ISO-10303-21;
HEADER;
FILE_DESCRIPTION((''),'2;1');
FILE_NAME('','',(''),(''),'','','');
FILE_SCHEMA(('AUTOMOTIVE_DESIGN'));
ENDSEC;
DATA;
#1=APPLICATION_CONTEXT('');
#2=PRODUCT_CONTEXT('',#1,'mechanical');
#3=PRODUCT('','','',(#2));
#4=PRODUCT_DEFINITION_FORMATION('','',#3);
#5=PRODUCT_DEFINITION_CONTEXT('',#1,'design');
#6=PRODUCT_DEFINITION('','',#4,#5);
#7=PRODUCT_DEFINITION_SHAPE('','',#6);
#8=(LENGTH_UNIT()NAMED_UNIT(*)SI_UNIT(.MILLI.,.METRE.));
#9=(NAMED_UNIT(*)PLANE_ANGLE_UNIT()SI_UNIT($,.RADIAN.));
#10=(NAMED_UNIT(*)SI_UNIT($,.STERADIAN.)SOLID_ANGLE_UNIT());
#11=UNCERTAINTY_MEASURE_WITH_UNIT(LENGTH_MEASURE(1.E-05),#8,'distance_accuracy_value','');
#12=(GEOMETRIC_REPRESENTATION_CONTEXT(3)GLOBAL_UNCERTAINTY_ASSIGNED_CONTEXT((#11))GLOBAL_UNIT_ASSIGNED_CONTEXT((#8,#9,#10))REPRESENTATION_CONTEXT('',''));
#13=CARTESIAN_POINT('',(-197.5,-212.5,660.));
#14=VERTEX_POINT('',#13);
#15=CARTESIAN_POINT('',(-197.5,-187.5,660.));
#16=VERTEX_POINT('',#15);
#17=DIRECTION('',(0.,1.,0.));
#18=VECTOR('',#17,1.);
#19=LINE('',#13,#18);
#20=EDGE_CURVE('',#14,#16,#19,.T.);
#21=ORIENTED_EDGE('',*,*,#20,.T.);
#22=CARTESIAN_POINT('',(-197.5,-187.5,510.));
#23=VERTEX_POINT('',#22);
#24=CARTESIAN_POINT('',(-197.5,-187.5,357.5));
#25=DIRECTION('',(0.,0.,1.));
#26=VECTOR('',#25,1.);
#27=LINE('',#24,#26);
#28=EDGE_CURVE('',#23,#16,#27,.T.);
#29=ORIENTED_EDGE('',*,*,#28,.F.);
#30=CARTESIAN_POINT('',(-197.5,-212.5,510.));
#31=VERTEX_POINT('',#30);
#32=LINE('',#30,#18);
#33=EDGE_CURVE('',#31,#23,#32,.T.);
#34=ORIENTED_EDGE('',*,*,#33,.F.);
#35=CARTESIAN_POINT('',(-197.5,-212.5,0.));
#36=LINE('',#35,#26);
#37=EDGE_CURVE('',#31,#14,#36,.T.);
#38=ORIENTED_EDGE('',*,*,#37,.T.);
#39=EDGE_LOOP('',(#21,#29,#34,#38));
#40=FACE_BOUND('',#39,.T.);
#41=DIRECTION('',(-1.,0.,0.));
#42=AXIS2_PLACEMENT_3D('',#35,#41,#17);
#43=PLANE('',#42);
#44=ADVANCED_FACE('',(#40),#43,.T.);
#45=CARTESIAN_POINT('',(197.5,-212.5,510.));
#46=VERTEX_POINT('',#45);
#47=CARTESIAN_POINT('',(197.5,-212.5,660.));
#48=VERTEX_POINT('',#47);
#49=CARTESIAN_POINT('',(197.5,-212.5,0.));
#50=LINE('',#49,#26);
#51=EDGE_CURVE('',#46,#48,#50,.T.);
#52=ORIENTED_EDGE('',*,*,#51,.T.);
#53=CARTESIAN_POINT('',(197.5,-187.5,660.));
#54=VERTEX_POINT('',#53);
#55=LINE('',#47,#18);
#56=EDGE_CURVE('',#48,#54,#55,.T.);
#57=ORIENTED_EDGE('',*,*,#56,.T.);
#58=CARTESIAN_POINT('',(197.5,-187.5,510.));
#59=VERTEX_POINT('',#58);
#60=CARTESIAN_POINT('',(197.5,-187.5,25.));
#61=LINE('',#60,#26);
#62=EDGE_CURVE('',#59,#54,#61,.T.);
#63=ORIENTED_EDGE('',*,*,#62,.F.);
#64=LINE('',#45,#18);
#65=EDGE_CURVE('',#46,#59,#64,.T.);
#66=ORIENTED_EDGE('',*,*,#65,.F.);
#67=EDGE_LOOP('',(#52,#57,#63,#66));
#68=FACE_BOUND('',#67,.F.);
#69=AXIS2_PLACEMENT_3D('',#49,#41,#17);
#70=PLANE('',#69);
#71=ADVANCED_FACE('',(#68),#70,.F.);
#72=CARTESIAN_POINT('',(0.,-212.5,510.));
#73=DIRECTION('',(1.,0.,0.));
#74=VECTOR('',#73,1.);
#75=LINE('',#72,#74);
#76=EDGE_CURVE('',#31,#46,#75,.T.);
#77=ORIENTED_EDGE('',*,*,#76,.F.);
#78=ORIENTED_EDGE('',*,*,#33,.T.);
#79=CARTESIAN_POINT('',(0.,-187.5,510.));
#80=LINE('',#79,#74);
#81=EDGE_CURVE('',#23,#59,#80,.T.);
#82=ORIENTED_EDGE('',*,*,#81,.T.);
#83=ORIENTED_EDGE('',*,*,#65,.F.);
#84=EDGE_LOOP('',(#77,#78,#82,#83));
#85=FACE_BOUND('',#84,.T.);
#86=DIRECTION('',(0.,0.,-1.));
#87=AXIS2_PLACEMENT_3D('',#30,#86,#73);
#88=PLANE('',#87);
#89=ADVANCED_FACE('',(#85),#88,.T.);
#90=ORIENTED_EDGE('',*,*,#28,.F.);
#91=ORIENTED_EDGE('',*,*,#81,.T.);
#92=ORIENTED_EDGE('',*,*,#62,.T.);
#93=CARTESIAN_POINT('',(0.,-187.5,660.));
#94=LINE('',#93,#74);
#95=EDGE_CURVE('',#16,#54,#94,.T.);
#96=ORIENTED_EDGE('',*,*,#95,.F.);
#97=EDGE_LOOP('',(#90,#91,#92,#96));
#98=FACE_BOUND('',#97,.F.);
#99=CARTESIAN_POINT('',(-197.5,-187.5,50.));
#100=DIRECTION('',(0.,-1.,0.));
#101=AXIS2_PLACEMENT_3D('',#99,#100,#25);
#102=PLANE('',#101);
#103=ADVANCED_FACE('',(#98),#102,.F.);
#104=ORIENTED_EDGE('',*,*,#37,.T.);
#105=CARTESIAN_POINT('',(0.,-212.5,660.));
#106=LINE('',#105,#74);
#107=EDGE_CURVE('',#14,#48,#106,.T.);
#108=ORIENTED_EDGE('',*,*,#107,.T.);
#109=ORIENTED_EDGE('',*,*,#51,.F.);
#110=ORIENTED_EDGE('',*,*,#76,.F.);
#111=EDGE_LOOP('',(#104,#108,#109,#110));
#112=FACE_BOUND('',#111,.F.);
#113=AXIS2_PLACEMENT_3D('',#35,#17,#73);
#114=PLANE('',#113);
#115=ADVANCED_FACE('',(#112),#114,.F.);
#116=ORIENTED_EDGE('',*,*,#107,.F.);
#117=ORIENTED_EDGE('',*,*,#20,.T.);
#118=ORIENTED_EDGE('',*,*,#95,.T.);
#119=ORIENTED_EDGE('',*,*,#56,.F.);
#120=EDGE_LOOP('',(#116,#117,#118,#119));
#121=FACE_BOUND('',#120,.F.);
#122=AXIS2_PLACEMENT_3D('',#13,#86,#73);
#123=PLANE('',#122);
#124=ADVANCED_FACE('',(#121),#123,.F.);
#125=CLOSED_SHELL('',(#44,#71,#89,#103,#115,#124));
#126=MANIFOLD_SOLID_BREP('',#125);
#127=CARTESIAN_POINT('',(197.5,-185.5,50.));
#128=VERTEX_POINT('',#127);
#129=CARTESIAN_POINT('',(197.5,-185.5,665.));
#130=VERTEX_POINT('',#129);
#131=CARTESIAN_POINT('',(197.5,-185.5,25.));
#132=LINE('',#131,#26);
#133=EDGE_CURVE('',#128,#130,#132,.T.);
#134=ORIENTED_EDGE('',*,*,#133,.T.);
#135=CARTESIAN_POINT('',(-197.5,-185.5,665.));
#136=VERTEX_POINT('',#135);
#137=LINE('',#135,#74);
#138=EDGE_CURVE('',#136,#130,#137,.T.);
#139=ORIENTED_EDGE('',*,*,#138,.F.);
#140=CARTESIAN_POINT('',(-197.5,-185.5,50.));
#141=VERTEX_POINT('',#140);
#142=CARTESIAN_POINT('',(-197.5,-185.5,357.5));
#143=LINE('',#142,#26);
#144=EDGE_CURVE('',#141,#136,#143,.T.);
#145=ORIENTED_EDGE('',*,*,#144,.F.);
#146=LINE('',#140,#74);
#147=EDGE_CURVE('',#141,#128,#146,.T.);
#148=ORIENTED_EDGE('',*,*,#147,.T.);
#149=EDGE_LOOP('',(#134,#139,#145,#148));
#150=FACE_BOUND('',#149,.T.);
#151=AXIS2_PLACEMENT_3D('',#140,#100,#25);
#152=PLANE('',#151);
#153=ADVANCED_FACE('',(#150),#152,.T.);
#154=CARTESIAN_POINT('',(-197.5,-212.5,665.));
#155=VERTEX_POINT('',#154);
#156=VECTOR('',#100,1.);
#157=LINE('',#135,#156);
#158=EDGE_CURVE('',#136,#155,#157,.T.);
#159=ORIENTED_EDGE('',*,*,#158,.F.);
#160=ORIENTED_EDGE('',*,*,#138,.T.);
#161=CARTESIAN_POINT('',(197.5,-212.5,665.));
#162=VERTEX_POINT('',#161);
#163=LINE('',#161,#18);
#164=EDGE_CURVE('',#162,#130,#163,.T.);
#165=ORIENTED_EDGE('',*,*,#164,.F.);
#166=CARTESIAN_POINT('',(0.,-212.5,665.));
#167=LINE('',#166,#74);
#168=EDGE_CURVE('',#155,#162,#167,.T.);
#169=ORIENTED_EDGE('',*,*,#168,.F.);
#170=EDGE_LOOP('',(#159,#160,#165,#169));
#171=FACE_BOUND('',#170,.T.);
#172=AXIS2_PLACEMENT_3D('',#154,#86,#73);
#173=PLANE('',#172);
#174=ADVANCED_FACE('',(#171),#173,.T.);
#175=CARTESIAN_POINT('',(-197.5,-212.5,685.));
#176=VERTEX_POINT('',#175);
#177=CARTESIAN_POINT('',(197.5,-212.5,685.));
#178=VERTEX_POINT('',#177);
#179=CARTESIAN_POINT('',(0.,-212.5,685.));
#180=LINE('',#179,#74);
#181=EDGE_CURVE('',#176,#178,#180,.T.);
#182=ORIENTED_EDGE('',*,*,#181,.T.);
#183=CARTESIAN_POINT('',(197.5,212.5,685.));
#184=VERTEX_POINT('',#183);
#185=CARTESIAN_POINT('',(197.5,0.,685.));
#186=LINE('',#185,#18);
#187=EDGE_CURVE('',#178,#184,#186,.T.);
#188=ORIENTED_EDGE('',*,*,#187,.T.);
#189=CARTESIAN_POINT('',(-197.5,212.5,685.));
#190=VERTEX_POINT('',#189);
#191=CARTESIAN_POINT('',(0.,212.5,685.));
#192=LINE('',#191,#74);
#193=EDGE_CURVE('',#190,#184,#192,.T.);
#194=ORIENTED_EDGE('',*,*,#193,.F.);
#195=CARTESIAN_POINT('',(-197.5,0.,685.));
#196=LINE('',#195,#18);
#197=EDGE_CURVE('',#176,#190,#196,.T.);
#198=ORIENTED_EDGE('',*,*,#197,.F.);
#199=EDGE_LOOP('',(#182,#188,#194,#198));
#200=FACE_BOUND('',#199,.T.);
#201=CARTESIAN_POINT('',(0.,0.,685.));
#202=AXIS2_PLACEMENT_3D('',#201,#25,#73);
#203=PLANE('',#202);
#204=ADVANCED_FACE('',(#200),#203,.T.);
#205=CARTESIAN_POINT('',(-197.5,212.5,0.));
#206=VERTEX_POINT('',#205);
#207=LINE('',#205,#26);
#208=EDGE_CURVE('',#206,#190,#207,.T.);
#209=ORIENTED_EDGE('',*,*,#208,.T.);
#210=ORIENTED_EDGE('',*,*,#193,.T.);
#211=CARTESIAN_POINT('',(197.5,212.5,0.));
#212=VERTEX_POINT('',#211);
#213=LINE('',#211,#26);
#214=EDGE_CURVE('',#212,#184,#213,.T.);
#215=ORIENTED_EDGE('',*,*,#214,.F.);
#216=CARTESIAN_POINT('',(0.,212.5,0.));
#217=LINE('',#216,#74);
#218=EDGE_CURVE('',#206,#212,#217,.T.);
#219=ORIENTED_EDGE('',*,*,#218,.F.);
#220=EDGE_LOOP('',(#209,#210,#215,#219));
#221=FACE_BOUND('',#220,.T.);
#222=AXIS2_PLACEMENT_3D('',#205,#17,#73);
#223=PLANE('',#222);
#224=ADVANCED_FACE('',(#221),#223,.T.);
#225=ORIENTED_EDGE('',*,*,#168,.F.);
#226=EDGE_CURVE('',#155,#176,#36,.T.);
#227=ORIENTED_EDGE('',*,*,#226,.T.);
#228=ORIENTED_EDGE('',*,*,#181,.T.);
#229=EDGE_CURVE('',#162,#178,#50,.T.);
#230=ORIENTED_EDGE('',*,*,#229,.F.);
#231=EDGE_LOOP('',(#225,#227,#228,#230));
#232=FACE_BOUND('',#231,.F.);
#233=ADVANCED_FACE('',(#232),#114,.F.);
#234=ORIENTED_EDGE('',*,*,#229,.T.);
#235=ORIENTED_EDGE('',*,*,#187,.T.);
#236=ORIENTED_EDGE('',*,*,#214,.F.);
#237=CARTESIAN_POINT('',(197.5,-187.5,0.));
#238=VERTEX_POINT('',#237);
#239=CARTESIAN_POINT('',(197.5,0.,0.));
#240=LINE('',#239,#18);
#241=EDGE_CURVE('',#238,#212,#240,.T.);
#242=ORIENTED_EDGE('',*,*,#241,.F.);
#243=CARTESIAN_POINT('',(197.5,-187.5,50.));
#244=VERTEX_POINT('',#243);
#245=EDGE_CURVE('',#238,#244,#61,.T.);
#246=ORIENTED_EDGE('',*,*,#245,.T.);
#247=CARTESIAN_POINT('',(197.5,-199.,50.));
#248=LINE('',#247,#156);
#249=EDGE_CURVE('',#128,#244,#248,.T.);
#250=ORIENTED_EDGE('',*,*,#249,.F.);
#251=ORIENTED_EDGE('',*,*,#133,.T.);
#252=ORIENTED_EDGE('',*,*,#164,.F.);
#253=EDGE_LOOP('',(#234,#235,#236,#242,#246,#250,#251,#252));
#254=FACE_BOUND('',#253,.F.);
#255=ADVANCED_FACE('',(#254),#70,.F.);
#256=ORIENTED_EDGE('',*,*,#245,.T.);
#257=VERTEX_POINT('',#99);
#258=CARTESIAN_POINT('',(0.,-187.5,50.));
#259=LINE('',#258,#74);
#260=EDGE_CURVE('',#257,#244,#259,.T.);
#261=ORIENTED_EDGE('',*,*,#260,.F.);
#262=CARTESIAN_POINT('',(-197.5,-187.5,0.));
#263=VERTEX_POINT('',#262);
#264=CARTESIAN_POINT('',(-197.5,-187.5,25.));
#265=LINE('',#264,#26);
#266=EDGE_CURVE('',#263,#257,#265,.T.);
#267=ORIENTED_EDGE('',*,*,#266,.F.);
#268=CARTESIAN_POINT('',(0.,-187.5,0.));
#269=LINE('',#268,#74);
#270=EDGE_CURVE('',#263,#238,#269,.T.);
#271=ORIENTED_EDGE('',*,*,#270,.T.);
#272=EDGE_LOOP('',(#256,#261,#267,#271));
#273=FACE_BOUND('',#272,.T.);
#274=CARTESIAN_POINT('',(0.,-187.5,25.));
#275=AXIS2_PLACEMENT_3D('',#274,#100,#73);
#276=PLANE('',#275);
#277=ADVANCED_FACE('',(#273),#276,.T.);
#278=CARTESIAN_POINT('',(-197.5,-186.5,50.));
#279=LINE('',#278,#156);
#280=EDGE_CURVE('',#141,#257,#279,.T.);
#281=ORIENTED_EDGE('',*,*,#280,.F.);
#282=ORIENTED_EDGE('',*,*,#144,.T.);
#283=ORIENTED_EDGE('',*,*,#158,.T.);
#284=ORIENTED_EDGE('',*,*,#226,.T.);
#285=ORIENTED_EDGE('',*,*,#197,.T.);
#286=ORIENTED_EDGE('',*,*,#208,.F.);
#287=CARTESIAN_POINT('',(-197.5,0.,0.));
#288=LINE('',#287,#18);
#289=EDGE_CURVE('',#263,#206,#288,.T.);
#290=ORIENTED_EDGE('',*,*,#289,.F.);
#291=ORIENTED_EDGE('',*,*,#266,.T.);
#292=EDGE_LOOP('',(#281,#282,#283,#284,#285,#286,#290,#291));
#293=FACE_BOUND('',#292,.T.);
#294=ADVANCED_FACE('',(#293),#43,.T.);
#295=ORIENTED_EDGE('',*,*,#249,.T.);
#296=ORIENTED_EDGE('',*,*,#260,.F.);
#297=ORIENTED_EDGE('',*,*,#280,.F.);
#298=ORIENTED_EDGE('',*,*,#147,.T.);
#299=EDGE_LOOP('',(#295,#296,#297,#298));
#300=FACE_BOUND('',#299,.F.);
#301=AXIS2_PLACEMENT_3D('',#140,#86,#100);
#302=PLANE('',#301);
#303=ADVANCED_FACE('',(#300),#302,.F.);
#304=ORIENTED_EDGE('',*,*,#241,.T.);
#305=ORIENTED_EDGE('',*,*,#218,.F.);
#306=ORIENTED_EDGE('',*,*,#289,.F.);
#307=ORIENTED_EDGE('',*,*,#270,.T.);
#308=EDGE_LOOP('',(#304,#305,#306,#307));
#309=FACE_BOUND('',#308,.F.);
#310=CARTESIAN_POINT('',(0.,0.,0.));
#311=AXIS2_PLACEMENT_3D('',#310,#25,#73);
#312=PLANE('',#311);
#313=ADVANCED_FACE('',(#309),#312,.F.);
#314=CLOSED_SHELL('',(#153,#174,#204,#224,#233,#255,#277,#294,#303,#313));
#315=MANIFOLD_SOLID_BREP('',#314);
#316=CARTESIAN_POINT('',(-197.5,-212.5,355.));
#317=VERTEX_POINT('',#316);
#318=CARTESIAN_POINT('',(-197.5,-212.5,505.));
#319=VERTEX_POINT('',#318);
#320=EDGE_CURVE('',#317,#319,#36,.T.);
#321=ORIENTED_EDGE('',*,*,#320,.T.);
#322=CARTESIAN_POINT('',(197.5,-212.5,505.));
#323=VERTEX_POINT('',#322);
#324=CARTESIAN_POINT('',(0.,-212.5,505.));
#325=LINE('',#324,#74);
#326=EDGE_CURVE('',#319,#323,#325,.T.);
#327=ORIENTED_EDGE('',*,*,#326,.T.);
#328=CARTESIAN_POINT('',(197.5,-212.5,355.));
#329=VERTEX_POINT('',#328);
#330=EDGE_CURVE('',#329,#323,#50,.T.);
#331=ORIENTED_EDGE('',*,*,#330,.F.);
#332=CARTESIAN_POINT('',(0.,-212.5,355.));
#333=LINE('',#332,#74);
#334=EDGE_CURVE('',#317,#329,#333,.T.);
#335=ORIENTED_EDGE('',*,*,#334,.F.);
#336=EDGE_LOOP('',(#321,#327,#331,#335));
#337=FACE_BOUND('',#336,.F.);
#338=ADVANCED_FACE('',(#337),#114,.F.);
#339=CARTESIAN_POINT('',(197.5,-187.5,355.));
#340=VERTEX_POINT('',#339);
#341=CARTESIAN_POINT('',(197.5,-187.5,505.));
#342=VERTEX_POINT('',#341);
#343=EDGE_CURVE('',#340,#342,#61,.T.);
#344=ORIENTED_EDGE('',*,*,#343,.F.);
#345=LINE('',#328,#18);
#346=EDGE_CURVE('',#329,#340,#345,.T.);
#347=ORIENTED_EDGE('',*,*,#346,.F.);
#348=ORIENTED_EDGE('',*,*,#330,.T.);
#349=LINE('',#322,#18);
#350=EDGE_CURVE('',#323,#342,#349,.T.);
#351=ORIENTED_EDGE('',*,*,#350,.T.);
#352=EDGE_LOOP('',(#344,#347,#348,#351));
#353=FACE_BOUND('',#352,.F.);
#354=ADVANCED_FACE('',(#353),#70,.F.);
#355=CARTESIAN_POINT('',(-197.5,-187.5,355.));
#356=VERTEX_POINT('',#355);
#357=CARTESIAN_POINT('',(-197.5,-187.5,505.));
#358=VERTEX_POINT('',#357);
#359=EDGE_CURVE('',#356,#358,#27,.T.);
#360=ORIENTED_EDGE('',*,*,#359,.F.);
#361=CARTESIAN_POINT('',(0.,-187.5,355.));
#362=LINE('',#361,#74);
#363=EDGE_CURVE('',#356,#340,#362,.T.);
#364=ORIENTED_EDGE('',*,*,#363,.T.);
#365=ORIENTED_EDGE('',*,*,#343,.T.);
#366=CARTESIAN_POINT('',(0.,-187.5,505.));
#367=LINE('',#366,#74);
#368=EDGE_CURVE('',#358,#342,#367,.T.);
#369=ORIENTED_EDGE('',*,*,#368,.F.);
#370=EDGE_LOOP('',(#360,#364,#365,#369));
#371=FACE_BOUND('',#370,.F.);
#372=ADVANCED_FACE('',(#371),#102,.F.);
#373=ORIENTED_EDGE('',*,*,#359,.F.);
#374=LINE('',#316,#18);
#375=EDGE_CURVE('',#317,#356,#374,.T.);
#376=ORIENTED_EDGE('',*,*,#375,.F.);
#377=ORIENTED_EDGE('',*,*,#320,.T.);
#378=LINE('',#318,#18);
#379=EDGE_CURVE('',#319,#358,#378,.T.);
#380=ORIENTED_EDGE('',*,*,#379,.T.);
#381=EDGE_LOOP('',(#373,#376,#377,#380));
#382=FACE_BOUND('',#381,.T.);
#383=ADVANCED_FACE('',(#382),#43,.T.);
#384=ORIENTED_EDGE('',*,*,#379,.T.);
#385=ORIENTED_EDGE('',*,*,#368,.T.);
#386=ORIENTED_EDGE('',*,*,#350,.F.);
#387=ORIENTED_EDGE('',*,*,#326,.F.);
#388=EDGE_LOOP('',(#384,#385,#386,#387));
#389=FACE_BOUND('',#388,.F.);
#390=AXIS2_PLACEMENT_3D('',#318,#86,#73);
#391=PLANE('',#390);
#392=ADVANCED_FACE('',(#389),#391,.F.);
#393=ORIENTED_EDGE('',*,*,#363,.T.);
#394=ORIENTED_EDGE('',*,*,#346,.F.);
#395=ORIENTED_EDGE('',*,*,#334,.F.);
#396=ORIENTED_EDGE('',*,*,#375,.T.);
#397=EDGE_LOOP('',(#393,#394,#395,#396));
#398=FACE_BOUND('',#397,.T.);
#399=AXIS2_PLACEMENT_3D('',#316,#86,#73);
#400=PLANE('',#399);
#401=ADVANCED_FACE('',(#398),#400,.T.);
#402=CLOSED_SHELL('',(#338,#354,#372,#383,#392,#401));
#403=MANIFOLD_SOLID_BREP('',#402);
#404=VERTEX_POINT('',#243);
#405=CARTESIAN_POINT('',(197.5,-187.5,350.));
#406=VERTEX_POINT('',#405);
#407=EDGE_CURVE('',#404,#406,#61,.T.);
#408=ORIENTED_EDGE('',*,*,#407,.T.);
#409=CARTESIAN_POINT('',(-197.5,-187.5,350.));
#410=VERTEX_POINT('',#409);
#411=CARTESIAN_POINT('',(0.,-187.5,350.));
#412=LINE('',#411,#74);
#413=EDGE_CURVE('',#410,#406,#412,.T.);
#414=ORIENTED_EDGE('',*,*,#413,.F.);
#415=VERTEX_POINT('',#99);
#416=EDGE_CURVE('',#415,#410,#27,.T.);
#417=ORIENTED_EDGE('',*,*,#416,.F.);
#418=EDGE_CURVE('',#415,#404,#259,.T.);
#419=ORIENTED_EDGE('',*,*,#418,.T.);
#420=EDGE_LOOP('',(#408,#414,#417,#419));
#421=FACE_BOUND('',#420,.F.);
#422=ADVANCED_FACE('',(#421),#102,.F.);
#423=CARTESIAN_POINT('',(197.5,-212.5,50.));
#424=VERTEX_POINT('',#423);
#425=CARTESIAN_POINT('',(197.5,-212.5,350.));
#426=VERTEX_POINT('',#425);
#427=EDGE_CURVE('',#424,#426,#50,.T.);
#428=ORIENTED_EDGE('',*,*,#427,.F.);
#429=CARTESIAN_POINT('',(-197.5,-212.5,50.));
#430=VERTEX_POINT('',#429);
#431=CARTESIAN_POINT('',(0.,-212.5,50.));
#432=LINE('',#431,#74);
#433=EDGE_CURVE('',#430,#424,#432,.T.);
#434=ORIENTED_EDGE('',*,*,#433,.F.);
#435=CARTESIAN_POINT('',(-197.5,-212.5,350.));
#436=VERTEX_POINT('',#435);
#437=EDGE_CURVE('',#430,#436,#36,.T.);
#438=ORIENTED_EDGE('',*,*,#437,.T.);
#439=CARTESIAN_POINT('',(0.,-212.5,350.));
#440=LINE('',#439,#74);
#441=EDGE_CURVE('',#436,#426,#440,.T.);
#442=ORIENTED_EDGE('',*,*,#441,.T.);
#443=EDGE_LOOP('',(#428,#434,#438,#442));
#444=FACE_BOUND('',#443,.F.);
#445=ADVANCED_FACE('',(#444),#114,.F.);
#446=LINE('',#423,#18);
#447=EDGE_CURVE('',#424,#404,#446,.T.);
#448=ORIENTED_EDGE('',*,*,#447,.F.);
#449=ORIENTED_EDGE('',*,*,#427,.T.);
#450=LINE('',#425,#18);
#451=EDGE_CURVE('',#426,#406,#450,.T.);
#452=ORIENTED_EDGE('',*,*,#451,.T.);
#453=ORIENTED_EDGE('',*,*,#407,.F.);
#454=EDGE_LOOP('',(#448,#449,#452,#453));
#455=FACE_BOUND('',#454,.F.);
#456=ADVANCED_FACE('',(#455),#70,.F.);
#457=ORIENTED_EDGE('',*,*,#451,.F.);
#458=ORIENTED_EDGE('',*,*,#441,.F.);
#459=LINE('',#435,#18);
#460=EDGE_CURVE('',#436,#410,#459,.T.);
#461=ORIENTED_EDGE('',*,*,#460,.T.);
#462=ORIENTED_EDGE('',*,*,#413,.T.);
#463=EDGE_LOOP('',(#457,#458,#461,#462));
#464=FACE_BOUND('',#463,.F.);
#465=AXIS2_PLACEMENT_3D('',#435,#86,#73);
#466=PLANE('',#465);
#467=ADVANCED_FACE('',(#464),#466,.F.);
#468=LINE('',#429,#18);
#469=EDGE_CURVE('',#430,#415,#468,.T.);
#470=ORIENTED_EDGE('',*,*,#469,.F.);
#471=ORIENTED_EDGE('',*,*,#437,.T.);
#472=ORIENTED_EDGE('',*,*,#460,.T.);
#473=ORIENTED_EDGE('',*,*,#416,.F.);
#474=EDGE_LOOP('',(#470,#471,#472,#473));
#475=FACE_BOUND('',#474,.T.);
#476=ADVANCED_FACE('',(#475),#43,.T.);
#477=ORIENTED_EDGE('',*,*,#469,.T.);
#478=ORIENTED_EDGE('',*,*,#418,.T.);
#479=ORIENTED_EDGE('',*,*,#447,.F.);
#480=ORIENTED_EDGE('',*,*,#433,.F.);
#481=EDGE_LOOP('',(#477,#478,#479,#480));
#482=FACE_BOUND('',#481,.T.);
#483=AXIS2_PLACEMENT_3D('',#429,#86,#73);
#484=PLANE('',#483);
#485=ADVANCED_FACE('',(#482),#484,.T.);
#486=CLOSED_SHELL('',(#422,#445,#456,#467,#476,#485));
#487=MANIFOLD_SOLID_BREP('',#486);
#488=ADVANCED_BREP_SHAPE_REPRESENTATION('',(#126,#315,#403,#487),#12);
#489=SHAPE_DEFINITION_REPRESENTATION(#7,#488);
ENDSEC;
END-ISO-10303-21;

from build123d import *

# Parameters (mm, degrees)
F0_W     = 395
F0_H     = 425
F1_DEPTH = 685
F2_W     = 395
F2_H     = 5
F2_H_2   = 50
F3_DEPTH = 25
F4_W     = 2
F4_H     = 615
F5_DEPTH = 395.001


with BuildPart() as f1:
    # F0 (on Top) → F1 (new body)
    with BuildSketch(Plane.XY):
        Rectangle(F0_W, F0_H)
    extrude(amount=F1_DEPTH)

    # F2 (on face) → F3 (cut)
    with BuildSketch(Plane.XZ.offset(212.5)):
        with Locations((0, 352.5)):
            Rectangle(F2_W, F2_H)
        with Locations((0, 662.5)):
            Rectangle(F2_W, F2_H)
        with Locations((0, 507.5)):
            Rectangle(F2_W, F2_H)
        with Locations((0, 25)):
            Rectangle(F2_W, F2_H_2)
    extrude(amount=-F3_DEPTH, mode=Mode.SUBTRACT)

    # F4 (on face) → F5 (cut, through all)
    with BuildSketch(Plane(origin=(-197.5, 0, 0), x_dir=(0, -1, 0), z_dir=(-1, 0, 0))):
        with Locations((186.5, 357.5)):
            Rectangle(F4_W, F4_H)
    extrude(amount=-F5_DEPTH, mode=Mode.SUBTRACT)


solid = f1.part
